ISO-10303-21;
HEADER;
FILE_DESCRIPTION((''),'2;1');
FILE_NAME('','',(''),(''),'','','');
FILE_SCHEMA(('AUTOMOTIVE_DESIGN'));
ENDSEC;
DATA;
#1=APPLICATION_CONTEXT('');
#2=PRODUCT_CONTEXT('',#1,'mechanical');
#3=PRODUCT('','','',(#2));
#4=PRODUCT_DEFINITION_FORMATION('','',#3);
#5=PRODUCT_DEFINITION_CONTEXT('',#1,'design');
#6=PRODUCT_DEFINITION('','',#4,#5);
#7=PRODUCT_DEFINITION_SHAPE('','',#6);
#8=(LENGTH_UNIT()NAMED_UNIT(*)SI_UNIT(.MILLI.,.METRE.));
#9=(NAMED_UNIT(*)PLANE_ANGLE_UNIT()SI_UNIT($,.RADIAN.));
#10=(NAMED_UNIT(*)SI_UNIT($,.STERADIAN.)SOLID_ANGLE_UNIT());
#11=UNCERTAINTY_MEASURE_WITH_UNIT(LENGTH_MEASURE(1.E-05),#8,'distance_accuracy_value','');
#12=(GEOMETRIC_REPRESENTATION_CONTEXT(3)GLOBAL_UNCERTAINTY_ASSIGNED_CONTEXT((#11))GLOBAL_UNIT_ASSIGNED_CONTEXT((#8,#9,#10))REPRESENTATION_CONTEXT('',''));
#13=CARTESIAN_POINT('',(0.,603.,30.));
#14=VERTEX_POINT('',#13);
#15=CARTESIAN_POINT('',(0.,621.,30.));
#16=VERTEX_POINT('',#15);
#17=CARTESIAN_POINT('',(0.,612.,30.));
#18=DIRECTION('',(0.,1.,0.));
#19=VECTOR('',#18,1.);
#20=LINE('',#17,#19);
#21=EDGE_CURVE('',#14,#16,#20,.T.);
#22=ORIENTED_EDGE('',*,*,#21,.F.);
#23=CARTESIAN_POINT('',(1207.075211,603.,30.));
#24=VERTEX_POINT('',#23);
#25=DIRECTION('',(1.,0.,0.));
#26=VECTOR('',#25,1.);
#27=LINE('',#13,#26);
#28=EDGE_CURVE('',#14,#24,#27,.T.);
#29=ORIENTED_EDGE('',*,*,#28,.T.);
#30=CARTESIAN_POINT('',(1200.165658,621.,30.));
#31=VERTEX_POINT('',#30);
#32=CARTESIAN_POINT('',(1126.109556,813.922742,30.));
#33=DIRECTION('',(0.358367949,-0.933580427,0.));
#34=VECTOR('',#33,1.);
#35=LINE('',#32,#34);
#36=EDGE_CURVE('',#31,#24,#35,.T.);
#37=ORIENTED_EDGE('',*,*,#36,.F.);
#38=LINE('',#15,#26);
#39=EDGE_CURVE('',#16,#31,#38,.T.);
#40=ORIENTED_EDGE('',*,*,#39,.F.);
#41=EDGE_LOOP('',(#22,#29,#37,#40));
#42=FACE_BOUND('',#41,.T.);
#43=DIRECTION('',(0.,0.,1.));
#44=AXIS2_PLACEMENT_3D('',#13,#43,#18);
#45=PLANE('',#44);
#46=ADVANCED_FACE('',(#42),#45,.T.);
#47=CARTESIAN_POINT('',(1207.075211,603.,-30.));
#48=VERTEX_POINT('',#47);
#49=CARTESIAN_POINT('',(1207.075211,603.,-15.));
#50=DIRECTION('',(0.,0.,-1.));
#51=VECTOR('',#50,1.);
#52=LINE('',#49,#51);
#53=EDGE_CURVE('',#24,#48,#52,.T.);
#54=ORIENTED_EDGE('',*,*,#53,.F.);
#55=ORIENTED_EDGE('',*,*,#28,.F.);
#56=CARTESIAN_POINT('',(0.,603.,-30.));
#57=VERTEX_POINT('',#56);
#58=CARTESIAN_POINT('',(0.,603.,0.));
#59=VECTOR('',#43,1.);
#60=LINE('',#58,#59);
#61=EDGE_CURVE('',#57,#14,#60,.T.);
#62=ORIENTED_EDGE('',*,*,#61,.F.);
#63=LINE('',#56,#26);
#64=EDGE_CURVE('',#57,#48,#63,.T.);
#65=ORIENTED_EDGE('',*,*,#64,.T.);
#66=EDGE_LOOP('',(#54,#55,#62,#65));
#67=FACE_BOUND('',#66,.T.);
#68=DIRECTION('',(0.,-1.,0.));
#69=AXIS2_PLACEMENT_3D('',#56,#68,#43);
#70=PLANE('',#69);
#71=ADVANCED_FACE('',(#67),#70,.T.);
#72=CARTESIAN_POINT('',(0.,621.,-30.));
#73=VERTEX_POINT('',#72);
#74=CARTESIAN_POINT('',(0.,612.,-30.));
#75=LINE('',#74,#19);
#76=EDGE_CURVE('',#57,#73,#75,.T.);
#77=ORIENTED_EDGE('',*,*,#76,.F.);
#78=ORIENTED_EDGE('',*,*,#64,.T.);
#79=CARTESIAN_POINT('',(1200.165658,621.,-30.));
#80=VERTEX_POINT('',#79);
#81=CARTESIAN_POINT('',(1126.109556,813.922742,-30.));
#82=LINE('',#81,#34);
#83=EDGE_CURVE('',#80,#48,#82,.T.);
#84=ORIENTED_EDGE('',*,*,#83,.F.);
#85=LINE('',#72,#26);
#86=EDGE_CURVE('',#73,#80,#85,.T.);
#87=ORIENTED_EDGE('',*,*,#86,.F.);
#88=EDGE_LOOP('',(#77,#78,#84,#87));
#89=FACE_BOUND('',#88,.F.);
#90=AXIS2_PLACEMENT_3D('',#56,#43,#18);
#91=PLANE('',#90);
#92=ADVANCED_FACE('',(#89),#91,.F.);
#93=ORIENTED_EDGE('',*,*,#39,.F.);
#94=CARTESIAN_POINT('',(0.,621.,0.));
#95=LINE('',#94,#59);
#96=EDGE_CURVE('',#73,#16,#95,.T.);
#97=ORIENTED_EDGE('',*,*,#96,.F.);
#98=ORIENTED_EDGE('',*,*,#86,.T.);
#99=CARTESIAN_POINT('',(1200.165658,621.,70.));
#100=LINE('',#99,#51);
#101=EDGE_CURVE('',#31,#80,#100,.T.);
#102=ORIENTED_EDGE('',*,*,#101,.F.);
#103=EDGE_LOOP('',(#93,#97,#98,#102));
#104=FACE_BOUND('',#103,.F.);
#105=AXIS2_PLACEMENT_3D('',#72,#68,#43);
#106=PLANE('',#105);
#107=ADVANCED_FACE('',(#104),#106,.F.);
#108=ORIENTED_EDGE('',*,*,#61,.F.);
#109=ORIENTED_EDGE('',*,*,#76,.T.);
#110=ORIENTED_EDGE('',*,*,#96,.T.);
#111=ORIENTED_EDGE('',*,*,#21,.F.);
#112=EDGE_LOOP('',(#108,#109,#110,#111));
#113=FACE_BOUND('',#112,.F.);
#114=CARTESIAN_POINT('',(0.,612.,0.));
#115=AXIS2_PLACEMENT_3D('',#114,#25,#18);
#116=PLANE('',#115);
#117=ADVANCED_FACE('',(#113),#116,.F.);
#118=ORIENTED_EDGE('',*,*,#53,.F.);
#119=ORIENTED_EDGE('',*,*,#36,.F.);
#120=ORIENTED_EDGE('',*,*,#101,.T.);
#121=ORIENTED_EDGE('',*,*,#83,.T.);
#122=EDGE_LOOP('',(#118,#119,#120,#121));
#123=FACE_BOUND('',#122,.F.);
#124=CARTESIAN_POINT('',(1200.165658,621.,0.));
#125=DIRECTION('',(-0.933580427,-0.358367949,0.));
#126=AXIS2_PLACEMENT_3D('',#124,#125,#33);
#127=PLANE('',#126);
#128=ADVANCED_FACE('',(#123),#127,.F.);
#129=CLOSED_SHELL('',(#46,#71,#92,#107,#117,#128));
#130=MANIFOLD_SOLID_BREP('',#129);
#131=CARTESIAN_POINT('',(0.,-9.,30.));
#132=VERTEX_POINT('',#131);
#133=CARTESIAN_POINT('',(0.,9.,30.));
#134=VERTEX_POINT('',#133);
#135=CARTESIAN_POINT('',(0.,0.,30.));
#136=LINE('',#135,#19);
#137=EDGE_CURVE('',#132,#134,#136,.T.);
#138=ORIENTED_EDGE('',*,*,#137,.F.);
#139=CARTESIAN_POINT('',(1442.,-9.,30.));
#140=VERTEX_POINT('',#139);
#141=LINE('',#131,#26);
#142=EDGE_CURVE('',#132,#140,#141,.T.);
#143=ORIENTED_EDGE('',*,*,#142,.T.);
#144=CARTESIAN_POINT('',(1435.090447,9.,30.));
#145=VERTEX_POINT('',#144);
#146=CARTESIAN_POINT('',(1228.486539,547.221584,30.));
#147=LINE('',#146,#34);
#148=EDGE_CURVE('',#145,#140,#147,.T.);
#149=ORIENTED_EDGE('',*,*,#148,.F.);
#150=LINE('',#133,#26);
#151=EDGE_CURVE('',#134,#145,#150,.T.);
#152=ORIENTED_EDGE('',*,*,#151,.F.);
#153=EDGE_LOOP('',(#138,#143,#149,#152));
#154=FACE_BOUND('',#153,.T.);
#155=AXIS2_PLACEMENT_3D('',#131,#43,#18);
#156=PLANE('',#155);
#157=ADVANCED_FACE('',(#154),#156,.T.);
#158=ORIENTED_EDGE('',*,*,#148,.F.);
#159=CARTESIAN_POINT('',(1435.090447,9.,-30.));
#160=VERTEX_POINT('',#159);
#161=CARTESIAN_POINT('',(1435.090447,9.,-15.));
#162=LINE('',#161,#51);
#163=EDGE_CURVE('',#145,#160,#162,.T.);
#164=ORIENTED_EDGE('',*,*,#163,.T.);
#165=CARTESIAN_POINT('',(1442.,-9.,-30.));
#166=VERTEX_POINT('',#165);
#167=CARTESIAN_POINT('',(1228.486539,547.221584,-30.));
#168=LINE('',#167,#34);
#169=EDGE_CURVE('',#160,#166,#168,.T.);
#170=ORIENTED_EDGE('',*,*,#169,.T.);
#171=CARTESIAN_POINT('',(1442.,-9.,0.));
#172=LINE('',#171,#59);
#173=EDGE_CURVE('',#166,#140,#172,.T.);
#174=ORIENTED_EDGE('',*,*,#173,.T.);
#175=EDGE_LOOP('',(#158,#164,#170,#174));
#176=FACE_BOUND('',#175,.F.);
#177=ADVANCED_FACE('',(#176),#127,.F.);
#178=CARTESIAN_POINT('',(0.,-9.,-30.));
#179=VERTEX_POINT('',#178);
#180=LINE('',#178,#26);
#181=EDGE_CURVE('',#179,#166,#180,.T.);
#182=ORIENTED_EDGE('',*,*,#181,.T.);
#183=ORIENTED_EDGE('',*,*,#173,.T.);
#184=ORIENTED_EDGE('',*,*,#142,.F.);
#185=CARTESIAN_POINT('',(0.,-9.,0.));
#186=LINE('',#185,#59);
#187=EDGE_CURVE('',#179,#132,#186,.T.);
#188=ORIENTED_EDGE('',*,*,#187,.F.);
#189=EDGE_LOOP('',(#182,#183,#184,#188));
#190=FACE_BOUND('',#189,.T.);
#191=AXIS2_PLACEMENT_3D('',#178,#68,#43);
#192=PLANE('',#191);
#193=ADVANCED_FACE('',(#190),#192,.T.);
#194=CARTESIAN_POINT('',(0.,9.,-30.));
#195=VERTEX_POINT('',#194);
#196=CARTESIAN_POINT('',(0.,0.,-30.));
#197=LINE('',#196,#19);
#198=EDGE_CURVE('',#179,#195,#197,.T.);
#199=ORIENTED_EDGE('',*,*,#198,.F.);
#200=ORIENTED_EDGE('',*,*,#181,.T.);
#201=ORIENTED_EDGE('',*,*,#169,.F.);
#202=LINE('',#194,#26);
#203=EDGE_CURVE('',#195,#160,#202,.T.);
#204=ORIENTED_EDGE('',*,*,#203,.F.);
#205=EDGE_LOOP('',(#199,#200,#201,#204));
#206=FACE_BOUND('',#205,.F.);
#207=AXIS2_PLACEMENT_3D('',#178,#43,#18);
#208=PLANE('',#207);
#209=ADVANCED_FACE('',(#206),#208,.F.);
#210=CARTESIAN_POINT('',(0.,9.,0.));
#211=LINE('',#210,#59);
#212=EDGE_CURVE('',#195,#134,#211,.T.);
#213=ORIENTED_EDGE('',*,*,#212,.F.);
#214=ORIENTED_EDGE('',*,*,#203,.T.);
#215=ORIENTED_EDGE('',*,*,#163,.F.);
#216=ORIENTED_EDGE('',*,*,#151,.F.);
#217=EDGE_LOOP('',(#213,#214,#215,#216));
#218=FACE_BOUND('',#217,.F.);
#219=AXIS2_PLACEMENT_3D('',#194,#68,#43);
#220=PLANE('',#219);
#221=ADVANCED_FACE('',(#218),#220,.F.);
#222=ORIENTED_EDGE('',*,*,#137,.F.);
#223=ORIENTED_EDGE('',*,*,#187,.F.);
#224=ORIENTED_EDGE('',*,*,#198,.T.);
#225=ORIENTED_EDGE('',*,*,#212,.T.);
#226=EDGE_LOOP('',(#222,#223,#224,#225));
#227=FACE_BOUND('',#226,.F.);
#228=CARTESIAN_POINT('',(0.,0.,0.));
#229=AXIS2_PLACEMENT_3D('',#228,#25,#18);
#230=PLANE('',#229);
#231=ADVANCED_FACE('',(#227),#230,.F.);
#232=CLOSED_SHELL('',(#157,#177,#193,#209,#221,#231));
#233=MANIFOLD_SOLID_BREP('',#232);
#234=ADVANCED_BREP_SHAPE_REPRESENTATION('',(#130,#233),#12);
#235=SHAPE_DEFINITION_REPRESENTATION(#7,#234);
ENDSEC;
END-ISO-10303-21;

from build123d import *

# Parameters (mm, degrees)
F0_W     = 18
F0_H     = 60
F1_DEPTH = 1442
F3_DEPTH = 70


with BuildPart() as f1:
    # F0 (on Right) → F1 (new body)
    with BuildSketch(Plane.YZ):
        Rectangle(F0_W, F0_H)
        with Locations((612, 0)):
            Rectangle(F0_W, F0_H)
    extrude(amount=F1_DEPTH)

    # F2 (on Top) → F3 (cut, symmetric)
    with BuildSketch(Plane.XY):
        Polygon((1200.165658, 621), (1442, -9), (1442, 621), align=None)
    extrude(amount=F3_DEPTH, both=True, mode=Mode.SUBTRACT)


solid = f1.part
